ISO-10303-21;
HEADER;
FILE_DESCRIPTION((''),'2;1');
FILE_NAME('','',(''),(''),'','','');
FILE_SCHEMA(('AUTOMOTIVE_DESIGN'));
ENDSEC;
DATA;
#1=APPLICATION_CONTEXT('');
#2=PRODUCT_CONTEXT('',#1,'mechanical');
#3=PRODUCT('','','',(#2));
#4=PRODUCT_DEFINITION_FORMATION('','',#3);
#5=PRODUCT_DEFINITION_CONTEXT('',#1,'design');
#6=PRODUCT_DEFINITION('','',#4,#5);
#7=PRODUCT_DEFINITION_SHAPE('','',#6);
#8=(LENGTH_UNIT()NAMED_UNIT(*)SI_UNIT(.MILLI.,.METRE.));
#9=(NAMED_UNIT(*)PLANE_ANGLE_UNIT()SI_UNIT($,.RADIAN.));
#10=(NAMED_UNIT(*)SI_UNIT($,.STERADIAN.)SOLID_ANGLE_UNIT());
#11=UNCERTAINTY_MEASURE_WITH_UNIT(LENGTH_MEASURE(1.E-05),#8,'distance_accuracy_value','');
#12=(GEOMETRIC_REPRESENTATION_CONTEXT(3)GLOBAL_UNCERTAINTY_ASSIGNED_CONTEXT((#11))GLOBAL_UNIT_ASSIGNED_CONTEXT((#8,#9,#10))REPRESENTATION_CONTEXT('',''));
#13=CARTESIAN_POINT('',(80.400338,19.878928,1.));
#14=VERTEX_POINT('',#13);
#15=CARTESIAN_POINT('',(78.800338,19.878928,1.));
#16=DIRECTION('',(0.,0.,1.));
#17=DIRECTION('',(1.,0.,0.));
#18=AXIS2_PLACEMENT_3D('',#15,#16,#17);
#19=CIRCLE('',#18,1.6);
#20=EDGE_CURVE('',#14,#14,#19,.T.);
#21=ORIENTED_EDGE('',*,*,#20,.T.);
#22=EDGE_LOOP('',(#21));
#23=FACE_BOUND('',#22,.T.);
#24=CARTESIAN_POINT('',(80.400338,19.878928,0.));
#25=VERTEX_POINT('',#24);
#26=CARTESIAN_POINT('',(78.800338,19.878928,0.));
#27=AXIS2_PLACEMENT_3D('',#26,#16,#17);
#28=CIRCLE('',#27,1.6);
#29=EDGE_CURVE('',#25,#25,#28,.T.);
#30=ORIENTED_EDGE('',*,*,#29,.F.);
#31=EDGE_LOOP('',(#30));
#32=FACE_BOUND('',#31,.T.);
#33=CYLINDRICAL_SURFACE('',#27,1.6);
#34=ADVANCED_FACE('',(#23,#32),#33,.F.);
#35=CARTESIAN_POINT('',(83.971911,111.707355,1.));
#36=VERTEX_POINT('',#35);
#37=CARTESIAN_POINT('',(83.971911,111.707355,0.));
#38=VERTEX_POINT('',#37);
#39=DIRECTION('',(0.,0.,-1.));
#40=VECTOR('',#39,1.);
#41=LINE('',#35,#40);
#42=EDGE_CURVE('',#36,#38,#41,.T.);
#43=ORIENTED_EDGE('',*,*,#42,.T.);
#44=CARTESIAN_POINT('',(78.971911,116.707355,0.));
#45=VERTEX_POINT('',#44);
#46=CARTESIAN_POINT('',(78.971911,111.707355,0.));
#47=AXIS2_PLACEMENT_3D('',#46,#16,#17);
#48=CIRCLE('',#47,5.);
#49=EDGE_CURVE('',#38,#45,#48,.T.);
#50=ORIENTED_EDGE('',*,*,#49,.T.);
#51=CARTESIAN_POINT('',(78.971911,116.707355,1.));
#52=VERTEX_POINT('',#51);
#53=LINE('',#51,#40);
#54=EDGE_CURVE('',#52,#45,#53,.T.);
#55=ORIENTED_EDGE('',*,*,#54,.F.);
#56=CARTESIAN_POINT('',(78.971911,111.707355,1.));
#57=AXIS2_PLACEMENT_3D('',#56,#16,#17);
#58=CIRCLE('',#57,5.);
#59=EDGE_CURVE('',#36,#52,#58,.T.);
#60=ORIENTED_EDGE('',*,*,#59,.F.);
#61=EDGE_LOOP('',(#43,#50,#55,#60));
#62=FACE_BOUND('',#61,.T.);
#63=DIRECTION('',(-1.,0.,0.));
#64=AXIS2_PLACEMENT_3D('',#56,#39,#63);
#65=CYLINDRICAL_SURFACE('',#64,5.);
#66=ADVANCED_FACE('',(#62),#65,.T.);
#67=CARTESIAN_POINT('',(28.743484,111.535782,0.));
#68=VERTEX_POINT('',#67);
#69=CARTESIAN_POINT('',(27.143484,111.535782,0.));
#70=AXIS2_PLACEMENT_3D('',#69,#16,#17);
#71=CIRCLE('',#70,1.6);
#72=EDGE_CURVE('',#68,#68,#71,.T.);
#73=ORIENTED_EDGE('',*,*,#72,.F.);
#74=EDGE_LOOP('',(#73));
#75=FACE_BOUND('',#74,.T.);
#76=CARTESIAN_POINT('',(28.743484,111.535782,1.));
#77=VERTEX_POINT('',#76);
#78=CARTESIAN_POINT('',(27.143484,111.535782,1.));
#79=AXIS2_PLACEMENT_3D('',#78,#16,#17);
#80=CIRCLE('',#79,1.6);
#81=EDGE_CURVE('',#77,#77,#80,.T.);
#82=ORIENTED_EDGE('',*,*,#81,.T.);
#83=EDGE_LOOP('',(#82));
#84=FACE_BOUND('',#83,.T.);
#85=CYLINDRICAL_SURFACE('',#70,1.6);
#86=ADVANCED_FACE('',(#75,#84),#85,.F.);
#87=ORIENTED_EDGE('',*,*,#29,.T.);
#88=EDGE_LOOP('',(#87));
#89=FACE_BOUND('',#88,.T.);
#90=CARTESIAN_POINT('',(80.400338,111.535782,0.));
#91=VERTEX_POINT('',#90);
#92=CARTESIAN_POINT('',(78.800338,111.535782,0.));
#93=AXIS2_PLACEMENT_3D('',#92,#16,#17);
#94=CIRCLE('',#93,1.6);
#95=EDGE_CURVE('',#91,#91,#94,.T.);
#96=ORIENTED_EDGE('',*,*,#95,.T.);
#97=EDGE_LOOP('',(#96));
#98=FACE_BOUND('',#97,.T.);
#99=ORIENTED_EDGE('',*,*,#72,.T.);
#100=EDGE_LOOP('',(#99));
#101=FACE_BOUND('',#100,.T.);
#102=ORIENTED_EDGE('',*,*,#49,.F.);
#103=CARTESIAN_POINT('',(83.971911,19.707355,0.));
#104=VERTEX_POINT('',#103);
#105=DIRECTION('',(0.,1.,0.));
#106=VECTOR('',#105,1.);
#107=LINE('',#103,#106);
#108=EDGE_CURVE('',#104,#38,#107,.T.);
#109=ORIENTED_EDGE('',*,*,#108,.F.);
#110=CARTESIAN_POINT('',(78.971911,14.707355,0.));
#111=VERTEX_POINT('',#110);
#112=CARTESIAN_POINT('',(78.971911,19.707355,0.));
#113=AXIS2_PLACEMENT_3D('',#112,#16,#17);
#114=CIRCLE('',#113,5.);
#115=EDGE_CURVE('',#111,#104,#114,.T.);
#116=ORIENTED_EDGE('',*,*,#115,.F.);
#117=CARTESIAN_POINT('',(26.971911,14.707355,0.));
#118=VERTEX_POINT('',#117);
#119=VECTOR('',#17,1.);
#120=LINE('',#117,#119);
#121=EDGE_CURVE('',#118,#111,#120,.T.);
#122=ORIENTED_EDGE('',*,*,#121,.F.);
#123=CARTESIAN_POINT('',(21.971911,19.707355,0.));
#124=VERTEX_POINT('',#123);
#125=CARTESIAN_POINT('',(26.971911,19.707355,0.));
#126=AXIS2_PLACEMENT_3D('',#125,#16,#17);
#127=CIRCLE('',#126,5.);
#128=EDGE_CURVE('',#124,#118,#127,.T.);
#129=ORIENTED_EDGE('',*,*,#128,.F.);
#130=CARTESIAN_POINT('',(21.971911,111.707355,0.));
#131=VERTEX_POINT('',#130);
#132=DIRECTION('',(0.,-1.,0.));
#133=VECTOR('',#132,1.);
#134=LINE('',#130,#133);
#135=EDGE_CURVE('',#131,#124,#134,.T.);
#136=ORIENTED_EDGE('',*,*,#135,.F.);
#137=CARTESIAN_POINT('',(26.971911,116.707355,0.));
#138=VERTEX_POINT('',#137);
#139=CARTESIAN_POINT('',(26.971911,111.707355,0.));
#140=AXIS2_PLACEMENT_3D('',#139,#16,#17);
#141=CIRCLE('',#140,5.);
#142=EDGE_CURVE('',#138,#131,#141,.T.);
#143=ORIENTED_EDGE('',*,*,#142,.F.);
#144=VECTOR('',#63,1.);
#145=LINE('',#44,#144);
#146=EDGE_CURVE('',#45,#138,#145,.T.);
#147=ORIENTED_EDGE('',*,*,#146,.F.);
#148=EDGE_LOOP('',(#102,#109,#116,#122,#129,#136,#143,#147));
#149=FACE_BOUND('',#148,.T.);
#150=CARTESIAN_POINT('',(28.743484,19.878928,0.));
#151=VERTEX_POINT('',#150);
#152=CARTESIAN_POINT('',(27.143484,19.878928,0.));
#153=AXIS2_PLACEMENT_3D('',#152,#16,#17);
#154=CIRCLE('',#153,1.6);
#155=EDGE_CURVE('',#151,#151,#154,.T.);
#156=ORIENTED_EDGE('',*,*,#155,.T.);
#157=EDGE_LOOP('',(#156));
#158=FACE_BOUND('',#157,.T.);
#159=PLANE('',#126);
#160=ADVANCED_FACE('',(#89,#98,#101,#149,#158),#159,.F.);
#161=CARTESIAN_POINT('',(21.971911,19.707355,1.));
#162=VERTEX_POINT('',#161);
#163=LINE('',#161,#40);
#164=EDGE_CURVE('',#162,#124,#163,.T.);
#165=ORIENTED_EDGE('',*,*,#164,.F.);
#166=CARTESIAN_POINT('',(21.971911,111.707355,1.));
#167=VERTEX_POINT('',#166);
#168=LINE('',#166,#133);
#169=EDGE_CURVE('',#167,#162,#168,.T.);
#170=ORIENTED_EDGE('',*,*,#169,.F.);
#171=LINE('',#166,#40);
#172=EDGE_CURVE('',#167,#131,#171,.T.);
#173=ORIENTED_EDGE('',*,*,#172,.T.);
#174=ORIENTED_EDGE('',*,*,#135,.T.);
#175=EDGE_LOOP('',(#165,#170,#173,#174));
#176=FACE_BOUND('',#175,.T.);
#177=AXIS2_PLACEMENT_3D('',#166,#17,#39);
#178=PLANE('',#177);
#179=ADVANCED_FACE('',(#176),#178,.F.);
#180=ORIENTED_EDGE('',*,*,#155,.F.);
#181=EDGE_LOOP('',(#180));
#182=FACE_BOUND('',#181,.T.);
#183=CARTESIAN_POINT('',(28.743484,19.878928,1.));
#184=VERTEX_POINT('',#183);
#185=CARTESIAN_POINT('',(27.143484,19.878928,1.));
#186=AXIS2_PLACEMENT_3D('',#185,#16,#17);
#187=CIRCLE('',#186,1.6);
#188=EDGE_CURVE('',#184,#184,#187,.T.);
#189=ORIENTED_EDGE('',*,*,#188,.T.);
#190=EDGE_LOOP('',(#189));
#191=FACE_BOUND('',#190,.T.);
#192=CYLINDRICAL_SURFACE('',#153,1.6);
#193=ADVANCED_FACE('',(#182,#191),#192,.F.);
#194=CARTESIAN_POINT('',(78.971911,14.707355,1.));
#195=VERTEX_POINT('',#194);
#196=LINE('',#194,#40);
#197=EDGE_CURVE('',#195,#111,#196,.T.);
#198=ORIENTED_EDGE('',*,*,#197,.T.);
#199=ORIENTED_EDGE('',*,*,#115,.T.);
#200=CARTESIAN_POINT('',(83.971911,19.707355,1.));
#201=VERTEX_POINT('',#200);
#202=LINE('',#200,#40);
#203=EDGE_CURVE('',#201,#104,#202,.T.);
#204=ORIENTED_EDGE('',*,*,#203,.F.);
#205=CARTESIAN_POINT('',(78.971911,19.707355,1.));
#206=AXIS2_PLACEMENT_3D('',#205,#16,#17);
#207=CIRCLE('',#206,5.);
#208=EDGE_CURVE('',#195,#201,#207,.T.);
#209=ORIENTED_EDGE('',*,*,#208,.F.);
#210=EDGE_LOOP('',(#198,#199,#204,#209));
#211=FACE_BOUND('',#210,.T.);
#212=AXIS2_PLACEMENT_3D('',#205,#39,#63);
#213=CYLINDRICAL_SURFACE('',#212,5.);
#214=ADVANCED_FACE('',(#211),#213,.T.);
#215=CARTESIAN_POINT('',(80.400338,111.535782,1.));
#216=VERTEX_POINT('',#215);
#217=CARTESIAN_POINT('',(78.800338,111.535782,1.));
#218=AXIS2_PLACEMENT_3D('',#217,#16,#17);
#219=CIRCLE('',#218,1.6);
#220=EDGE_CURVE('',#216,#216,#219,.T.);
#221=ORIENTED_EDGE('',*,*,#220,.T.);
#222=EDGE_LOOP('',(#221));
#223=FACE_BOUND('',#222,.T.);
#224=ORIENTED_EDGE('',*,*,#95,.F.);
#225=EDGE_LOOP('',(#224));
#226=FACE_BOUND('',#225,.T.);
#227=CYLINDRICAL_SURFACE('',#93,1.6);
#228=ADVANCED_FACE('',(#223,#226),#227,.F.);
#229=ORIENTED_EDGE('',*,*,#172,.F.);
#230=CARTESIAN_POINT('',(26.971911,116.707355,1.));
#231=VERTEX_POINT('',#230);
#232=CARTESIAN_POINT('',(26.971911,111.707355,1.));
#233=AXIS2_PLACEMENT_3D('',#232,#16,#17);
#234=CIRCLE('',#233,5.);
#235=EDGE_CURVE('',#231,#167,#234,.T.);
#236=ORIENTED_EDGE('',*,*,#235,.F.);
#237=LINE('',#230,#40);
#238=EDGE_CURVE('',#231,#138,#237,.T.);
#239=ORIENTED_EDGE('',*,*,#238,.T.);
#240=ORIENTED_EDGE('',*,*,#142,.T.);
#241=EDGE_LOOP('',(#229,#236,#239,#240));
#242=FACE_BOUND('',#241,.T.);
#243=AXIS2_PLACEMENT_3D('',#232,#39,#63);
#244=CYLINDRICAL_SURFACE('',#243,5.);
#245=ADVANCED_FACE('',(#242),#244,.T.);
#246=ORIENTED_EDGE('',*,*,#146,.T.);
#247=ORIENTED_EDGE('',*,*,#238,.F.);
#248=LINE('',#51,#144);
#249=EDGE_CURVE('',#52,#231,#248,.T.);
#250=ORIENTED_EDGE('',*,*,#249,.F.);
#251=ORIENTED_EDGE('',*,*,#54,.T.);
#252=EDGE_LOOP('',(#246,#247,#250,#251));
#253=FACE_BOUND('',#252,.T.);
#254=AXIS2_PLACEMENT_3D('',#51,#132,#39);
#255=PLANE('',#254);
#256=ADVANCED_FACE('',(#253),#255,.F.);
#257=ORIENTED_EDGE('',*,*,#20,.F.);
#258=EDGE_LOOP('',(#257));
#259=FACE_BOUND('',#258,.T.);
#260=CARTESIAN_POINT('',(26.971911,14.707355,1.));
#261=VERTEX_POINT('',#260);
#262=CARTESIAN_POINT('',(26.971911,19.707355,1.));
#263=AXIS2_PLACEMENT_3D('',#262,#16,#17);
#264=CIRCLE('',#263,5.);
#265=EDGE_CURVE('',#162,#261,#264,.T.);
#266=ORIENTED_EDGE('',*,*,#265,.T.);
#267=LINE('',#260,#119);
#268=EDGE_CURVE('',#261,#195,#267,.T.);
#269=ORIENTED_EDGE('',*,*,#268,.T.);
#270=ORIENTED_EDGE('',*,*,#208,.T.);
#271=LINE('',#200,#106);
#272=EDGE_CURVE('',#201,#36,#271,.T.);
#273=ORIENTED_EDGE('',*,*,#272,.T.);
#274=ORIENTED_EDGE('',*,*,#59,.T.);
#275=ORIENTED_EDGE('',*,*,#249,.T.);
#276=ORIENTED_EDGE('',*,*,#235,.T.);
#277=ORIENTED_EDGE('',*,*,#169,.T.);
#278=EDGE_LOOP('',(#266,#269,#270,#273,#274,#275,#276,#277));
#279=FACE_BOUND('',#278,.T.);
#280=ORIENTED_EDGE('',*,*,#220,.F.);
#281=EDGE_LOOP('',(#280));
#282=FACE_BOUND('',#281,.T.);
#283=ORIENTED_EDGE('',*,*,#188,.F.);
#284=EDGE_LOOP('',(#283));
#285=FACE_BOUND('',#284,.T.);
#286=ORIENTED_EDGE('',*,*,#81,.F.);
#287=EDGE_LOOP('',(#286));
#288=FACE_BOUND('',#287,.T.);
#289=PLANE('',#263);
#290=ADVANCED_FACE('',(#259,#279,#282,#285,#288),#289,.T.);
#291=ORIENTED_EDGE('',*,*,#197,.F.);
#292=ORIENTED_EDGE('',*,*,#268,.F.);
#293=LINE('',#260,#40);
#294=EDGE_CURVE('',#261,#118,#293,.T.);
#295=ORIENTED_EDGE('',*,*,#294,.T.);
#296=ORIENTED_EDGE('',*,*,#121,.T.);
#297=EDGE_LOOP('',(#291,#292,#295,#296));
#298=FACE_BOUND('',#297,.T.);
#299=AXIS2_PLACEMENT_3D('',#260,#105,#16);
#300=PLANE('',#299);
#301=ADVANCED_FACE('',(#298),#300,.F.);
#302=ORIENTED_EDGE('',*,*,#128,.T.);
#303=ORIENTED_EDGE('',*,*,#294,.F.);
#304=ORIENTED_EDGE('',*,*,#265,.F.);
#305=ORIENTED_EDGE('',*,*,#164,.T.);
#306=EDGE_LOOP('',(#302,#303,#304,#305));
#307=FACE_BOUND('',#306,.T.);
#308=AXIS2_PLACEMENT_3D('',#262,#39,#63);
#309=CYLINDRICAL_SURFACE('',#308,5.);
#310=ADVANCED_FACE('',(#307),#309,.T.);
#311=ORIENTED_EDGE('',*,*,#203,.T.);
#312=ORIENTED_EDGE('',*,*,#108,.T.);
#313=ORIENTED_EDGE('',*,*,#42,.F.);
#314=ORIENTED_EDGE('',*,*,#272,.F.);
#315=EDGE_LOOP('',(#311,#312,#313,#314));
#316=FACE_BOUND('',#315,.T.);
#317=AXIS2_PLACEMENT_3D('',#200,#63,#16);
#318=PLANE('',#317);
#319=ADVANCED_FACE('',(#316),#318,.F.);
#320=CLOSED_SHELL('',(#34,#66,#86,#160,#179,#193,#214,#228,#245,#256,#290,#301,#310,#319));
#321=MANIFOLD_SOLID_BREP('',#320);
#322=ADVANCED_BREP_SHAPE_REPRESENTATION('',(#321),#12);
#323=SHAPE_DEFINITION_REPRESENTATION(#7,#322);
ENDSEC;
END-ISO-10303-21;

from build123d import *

# Parameters (mm, degrees)
BOSS_EXTRU_1_DEPTH           = 1
ENL_V_MAT_EXTRU_1_DEPTH      = 144.780695976
ENL_V_MAT_EXTRU_1_DEPTH_BACK = 144.780695976
ESQUISSE2_R                  = 1.6


with BuildPart() as part:
    # Esquisse1 → Boss.-Extru.1 (new body)
    with BuildSketch(Plane.XY):
        with BuildLine():
            Line((26.971910928, 14.707354998), (78.971910928, 14.707354998))
            ThreePointArc((78.971910928, 14.707354998), (82.507444834, 16.171821092), (83.971910928, 19.707354998))
            Line((83.971910928, 19.707354998), (83.971910928, 111.707354998))
            ThreePointArc((83.971910928, 111.707354998), (82.507444834, 115.242888904), (78.971910928, 116.707354998))
            Line((78.971910928, 116.707354998), (26.971910928, 116.707354998))
            ThreePointArc((26.971910928, 116.707354998), (23.436377022, 115.242888904), (21.971910928, 111.707354998))
            Line((21.971910928, 111.707354998), (21.971910928, 19.707354998))
            ThreePointArc((21.971910928, 19.707354998), (23.436377022, 16.171821092), (26.971910928, 14.707354998))
        make_face()
    extrude(amount=BOSS_EXTRU_1_DEPTH)

    # Esquisse2 → Enlèv. mat.-Extru.1 (cut, two sides: drawn at the far end of the back side and taken through both)
    with BuildSketch(Plane.XY.offset(1).offset(-ENL_V_MAT_EXTRU_1_DEPTH_BACK)):
        with Locations((27.143483803, 19.878927873)):
            Circle(ESQUISSE2_R)
        with Locations((78.800338052, 19.878927873)):
            Circle(ESQUISSE2_R)
        with Locations((27.143483803, 111.535782123)):
            Circle(ESQUISSE2_R)
        with Locations((78.800338052, 111.535782123)):
            Circle(ESQUISSE2_R)
    extrude(amount=ENL_V_MAT_EXTRU_1_DEPTH + ENL_V_MAT_EXTRU_1_DEPTH_BACK, mode=Mode.SUBTRACT)


solid = part.part
